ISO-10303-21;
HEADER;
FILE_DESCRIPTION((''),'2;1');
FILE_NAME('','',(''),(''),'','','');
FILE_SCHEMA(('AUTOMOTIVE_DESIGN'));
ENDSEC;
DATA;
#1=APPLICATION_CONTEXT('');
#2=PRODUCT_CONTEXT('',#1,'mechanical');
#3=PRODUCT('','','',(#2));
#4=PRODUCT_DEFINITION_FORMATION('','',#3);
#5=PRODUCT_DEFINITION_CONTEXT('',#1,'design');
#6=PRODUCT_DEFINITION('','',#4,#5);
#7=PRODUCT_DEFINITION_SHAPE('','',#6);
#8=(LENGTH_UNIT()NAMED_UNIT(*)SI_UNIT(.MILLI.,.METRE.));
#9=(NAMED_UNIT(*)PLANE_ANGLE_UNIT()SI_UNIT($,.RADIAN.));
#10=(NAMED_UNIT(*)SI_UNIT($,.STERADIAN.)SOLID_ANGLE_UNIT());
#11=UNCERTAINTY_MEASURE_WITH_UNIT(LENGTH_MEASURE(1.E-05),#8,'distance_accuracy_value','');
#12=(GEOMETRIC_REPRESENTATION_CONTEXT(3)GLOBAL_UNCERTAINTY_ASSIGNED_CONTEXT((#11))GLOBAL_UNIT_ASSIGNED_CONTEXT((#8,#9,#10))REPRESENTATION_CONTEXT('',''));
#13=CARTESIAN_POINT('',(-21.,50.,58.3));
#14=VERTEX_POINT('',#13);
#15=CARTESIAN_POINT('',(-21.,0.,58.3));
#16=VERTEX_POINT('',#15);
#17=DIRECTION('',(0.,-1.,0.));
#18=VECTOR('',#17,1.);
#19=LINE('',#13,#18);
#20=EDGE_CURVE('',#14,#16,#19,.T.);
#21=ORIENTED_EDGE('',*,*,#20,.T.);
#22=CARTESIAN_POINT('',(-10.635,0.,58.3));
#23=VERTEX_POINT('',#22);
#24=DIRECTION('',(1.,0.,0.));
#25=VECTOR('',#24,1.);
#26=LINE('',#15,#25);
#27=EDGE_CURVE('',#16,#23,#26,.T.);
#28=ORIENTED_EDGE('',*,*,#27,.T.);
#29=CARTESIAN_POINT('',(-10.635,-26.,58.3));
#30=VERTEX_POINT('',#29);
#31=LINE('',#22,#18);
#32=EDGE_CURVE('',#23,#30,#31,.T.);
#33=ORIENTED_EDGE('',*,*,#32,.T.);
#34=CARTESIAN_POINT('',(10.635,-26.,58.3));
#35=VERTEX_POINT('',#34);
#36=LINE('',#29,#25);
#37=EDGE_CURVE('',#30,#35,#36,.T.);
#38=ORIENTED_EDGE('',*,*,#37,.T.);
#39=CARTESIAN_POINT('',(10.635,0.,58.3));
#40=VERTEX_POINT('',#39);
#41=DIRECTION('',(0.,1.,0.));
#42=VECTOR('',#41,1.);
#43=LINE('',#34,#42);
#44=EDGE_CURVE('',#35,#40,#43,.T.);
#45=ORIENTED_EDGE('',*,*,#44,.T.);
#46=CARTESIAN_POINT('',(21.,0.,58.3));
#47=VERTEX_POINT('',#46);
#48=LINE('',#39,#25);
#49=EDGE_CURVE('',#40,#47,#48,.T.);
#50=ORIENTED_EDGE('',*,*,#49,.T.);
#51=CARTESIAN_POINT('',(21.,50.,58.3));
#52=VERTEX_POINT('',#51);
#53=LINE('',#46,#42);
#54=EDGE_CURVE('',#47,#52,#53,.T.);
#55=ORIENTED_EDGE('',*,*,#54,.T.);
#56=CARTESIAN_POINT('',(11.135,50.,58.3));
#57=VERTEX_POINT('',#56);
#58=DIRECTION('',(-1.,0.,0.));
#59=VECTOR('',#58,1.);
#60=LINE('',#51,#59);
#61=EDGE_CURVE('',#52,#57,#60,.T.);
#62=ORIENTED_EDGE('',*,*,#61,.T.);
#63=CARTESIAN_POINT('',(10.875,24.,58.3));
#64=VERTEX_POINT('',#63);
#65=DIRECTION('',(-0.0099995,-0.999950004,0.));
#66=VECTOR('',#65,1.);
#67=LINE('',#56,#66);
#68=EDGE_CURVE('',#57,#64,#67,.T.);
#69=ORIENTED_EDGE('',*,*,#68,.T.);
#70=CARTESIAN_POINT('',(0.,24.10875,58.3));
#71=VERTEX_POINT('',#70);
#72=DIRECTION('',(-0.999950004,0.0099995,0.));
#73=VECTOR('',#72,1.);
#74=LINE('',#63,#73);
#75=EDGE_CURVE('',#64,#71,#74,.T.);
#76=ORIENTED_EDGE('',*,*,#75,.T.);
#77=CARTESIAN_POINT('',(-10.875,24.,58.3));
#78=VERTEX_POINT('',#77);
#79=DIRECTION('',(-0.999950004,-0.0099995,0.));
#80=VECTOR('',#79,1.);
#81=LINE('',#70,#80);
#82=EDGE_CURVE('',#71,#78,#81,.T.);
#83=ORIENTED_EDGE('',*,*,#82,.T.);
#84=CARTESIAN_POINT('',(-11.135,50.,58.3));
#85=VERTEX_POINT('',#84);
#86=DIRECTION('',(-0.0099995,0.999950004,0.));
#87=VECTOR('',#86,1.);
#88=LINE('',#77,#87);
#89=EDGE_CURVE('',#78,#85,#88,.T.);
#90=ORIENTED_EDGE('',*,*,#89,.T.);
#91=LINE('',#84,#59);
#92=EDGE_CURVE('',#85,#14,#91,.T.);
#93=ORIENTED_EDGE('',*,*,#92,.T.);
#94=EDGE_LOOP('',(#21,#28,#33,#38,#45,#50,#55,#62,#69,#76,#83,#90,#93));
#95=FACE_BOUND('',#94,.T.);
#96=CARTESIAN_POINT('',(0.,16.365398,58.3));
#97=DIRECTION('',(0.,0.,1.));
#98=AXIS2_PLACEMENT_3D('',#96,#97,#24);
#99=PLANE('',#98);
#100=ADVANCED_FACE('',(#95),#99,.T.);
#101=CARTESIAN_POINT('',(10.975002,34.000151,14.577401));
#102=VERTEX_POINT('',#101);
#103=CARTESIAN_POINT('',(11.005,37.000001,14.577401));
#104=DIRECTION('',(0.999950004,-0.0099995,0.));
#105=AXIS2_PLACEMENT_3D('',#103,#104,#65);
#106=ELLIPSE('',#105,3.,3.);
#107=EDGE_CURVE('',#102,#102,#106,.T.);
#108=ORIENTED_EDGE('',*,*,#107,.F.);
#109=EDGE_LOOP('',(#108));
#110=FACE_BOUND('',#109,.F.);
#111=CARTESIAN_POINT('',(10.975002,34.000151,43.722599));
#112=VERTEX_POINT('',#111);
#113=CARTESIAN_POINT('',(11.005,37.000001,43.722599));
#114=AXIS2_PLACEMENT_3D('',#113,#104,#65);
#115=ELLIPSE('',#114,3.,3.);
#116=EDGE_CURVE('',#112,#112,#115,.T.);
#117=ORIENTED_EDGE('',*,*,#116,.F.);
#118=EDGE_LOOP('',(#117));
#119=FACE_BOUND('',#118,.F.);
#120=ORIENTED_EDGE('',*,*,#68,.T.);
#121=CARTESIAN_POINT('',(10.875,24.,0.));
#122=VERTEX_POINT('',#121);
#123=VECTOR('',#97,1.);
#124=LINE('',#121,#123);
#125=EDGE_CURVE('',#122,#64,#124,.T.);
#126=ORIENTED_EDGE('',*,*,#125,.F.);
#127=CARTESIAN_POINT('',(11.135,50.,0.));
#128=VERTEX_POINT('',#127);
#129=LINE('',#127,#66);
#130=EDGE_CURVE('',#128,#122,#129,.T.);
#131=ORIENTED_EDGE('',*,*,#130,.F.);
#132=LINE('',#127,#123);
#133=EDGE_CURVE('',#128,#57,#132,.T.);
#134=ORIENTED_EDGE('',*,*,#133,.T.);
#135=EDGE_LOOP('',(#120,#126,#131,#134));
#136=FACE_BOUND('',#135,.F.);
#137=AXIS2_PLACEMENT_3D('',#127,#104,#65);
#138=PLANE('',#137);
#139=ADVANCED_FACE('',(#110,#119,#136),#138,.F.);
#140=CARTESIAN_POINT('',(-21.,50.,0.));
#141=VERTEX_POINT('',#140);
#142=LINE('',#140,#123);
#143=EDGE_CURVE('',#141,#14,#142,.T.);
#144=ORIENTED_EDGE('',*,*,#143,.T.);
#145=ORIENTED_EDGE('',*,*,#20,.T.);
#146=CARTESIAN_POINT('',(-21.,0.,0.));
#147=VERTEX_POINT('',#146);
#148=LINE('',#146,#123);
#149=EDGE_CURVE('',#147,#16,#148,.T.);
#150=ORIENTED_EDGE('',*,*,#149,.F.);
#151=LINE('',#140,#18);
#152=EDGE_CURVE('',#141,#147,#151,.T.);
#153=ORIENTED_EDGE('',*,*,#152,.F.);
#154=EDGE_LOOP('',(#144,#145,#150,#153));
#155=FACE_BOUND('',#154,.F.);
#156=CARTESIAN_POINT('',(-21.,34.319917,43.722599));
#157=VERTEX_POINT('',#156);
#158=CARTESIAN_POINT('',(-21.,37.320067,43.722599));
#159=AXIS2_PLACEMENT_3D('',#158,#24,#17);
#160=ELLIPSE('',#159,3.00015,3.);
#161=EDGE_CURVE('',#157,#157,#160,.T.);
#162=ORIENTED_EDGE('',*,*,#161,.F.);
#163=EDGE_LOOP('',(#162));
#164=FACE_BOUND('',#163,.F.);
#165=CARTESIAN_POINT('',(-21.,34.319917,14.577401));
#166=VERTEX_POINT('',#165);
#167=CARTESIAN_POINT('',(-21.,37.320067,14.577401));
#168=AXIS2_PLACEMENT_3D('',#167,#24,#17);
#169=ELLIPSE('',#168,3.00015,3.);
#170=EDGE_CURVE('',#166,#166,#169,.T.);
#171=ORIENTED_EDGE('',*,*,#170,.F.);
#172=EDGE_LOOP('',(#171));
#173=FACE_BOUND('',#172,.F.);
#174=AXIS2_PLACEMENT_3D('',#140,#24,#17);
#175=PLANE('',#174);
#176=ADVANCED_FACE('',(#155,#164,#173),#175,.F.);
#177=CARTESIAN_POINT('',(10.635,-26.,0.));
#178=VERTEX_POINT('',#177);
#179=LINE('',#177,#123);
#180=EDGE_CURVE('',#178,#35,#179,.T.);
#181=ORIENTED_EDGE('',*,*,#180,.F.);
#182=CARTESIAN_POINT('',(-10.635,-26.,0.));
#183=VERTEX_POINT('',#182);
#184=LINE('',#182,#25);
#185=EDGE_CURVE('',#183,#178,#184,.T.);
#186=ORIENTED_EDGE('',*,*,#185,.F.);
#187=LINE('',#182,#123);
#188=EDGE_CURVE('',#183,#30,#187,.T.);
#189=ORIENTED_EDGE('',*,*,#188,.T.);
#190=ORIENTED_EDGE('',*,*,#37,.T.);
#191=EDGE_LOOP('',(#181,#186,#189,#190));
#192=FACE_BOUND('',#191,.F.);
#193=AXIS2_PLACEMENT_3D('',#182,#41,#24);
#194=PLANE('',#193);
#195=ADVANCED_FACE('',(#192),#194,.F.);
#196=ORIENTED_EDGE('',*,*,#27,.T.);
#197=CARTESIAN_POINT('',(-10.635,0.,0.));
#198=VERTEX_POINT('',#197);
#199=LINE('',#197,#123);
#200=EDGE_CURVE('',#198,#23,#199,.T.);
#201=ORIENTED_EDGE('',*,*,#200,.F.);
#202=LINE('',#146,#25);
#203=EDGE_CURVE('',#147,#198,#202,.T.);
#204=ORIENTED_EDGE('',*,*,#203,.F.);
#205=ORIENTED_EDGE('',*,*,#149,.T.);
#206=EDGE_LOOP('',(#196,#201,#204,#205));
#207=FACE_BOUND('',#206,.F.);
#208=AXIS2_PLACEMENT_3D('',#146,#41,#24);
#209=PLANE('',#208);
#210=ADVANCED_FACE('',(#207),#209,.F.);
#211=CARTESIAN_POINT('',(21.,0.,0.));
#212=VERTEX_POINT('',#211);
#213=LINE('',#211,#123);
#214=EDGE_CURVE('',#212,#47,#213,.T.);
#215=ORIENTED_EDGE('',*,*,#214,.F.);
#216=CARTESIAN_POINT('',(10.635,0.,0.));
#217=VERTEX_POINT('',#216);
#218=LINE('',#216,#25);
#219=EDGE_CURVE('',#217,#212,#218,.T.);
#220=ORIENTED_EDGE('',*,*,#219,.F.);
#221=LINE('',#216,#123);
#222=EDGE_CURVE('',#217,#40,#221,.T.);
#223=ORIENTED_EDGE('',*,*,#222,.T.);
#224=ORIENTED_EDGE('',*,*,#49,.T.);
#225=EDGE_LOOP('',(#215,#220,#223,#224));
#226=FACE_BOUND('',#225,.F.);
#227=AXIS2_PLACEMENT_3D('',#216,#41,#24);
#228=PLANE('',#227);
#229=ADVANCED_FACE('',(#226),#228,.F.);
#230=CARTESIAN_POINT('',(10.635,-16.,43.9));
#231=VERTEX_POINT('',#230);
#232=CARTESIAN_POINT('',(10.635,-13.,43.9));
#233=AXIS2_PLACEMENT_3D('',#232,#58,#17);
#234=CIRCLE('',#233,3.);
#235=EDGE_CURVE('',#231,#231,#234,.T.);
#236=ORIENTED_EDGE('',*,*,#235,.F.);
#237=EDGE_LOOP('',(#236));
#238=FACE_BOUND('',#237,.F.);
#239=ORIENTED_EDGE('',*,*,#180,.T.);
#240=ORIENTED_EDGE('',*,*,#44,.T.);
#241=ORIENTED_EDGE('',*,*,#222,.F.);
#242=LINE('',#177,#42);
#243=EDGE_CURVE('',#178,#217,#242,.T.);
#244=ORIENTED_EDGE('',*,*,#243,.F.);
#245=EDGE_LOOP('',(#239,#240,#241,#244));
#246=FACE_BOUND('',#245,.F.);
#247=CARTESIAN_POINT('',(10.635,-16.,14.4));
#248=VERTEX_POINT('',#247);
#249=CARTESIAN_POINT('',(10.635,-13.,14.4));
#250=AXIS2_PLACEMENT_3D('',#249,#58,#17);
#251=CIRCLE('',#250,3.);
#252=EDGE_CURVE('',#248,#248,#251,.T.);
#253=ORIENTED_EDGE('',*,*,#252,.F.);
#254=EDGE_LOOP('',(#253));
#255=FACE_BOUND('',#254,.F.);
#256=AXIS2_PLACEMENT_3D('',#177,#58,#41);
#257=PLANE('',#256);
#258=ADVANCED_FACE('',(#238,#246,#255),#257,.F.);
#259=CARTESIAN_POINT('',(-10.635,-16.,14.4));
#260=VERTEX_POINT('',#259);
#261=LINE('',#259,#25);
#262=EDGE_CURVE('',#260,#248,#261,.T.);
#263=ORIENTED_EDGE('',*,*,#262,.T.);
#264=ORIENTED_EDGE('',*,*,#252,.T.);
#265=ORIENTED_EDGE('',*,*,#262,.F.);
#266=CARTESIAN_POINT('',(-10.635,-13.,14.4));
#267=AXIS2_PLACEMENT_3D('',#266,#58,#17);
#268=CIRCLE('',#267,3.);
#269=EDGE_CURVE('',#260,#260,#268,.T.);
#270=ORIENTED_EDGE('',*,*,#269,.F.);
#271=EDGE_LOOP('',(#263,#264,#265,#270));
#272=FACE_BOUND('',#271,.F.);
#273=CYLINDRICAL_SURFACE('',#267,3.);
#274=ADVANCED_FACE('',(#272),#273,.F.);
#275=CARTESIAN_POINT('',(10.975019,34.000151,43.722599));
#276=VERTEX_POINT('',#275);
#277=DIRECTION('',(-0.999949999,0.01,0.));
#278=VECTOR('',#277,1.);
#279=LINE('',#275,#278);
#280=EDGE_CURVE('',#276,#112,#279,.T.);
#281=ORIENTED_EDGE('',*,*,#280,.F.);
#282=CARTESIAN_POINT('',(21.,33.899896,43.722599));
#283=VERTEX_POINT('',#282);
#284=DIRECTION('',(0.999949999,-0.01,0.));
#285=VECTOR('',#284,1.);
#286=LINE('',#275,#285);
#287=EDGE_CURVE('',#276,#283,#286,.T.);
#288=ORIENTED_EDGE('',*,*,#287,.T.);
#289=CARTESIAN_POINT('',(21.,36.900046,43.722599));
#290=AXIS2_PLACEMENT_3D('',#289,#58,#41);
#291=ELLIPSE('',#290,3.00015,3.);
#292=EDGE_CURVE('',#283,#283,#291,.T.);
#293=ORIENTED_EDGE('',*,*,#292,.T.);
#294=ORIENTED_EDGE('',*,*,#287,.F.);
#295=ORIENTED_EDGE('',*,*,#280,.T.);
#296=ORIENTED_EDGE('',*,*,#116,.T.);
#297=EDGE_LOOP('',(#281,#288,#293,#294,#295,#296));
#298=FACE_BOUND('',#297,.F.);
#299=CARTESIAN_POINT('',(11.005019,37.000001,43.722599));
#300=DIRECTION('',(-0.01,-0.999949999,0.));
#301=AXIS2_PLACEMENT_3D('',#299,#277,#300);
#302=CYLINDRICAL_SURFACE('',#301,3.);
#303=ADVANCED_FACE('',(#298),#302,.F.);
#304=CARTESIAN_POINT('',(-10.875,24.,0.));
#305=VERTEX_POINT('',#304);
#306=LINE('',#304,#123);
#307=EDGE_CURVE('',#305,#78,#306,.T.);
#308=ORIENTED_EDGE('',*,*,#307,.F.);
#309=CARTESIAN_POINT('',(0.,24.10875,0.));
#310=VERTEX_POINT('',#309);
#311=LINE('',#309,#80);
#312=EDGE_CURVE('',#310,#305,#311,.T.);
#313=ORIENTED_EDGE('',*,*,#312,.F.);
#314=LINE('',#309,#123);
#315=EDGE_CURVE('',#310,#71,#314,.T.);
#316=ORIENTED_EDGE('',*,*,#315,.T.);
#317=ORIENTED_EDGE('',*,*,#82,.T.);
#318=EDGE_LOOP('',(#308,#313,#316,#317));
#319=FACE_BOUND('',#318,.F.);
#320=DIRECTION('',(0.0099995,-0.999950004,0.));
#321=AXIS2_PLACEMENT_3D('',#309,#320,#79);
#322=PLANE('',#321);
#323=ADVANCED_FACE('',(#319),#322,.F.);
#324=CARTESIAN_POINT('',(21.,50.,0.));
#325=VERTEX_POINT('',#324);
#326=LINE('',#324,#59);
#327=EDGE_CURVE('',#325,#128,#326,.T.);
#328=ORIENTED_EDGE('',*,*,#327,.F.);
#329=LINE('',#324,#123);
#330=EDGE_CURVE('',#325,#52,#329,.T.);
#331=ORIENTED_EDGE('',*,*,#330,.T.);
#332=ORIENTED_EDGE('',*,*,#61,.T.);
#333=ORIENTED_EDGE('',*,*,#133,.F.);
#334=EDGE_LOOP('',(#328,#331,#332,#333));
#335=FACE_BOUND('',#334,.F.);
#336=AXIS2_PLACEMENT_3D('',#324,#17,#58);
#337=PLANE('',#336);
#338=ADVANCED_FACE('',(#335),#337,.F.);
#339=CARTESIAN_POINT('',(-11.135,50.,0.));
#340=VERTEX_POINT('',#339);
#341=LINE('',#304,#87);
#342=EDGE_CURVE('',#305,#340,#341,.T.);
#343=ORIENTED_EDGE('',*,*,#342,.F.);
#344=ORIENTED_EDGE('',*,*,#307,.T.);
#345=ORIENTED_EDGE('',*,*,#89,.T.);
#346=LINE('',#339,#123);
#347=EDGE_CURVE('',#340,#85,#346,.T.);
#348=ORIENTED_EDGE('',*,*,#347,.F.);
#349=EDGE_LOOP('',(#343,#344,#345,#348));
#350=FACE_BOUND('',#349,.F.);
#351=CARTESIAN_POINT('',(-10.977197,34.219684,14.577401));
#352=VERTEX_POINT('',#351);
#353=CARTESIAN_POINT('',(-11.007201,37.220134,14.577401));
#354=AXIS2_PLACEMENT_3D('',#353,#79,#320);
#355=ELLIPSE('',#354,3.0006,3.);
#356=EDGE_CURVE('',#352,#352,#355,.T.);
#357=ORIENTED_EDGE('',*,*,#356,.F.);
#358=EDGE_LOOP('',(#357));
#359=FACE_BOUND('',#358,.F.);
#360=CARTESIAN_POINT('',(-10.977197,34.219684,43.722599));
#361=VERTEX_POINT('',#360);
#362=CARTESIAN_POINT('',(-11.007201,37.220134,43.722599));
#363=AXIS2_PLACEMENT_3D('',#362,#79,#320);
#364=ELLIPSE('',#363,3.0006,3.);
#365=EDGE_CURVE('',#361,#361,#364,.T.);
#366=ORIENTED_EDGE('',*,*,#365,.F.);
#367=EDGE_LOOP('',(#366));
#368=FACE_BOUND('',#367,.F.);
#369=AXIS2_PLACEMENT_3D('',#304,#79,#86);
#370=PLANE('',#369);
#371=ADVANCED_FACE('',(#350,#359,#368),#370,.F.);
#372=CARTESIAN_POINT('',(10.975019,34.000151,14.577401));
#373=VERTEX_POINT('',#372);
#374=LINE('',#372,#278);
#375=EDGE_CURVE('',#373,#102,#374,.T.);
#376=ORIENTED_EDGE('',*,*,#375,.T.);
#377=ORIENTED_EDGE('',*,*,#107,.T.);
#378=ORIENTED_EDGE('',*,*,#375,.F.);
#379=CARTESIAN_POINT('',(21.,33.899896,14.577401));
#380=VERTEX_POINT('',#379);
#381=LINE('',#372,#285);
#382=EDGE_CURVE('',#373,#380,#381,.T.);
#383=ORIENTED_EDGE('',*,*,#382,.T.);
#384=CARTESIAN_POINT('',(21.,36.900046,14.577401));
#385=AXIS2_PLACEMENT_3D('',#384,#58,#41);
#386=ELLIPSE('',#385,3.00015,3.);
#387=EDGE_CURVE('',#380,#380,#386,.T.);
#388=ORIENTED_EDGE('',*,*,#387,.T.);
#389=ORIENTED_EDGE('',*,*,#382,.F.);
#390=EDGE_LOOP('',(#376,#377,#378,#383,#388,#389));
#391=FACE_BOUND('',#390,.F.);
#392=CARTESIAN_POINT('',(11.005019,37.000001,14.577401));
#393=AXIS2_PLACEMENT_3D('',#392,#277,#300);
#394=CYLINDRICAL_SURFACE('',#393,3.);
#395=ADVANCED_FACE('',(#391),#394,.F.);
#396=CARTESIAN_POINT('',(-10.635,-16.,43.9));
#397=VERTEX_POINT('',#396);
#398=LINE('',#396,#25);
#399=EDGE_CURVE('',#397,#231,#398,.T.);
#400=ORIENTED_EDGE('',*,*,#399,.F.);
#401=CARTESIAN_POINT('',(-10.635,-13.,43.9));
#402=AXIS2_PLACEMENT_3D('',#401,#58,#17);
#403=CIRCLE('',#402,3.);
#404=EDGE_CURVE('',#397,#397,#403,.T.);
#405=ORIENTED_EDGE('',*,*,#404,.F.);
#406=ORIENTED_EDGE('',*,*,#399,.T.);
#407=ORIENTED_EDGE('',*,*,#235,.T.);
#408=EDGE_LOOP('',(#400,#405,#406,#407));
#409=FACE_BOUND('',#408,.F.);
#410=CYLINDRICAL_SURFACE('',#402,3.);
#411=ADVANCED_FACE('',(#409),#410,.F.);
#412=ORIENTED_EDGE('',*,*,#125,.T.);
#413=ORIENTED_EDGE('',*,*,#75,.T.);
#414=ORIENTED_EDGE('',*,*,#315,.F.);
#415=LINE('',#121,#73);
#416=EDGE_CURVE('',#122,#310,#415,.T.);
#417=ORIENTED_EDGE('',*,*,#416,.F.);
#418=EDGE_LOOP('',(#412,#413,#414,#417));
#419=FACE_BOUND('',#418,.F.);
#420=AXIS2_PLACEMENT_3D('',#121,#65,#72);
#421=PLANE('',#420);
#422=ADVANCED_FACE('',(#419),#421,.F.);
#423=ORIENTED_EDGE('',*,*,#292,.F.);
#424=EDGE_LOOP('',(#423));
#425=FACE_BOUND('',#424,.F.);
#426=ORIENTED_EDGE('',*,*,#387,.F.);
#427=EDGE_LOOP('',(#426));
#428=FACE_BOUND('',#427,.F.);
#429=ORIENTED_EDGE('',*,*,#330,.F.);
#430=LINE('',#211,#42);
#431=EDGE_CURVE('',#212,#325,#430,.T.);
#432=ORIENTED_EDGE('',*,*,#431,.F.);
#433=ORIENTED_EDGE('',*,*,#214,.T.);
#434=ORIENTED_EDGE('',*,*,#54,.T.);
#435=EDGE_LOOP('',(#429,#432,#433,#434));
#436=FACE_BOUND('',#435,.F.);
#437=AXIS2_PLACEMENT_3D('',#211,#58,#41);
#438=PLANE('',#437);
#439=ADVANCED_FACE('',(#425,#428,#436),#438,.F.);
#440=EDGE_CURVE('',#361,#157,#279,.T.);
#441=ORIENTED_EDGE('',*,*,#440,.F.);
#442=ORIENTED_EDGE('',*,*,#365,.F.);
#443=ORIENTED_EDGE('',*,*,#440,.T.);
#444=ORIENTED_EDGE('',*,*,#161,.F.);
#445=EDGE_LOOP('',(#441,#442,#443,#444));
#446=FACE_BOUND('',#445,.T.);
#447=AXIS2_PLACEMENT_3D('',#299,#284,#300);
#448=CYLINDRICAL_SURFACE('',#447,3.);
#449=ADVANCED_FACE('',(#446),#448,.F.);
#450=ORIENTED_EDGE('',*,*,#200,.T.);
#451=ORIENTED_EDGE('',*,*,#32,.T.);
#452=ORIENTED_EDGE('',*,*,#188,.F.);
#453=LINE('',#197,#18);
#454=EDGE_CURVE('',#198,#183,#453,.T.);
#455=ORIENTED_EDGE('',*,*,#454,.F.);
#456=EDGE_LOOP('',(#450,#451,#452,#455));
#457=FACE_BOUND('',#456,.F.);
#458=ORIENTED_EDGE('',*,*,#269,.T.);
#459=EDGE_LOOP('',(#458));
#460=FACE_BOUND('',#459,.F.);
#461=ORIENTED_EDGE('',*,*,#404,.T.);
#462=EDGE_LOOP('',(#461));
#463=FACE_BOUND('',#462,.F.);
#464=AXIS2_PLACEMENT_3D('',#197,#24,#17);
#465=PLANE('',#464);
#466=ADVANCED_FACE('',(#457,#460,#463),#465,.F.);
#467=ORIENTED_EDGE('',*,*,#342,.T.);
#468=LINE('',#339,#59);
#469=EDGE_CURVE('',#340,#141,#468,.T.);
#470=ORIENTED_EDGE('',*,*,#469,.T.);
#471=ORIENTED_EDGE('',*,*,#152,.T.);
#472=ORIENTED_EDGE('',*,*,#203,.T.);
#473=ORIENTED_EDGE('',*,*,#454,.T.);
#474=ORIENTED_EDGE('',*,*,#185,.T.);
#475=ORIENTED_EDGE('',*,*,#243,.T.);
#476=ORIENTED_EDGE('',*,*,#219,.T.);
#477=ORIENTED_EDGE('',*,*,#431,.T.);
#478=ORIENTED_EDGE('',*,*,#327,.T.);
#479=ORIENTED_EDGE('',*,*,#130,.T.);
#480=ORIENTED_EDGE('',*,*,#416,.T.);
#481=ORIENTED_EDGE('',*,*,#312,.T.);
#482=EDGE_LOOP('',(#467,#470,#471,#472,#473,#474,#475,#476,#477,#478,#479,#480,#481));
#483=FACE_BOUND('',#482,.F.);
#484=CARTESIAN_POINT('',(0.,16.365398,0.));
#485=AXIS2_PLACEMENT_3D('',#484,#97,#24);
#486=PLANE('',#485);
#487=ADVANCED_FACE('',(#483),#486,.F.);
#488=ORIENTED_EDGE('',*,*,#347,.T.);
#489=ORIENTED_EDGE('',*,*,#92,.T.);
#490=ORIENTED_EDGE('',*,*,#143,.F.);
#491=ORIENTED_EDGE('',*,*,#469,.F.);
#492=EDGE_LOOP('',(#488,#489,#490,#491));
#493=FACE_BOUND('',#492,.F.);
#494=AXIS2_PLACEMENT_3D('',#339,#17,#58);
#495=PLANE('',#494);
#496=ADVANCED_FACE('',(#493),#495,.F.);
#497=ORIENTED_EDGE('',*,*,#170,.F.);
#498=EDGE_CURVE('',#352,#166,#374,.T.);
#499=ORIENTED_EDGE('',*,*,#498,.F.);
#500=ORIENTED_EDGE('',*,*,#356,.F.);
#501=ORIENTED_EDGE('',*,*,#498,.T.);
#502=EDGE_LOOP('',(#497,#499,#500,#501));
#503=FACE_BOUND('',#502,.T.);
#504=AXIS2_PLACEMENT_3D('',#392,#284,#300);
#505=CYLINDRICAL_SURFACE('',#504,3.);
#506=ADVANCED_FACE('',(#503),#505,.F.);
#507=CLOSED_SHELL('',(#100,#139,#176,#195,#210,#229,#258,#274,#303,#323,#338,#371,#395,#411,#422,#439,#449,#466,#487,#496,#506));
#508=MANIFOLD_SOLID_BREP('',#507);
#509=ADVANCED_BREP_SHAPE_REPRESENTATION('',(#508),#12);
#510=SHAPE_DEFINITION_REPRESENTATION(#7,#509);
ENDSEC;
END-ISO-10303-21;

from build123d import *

# Parameters (mm, degrees)
F1_DEPTH = 58.3
F2_R     = 3
F3_DEPTH = 25
F4_R     = 3
F5_DEPTH = 25
F6_DEPTH = 100


with BuildPart() as f1:
    # F0 (on Top) → F1 (new body)
    with BuildSketch(Plane.XY):
        Polygon((-10.635, 0), (-10.635, -26), (10.635, -26), (10.635, 0), (21, 0), (21, 50), (11.135, 50), (10.875, 24), (0, 24.10875), (-10.875, 24), (-11.135, 50), (-21, 50), (-21, 0), align=None)
    extrude(amount=F1_DEPTH)

    # F2 (on face) → F3 (cut)
    with BuildSketch(Plane(origin=(-10.635, 0, 0), x_dir=(0, -1, 0), z_dir=(-1, 0, 0))):
        with Locations((13, 14.4)):
            Circle(F2_R)
        with Locations((13, 43.9)):
            Circle(F2_R)
    extrude(amount=-F3_DEPTH, mode=Mode.SUBTRACT)

    # F4 (on face) → F5 (cut)
    with BuildSketch(Plane(origin=(10.633937, -0.106339, 0), x_dir=(-0.01, -0.99995, 0), z_dir=(-0.99995, 0.01, 0))):
        with Locations((-37.108195, 14.577401)):
            Circle(F4_R)
        with Locations((-37.108195, 43.722599)):
            Circle(F4_R)
    extrude(amount=-F5_DEPTH, mode=Mode.SUBTRACT)

    # F4 (on face) → F6 (cut)
    with BuildSketch(Plane(origin=(10.633937, -0.106339, 0), x_dir=(-0.01, -0.99995, 0), z_dir=(-0.99995, 0.01, 0))):
        with Locations((-37.108195, 43.722599)):
            Circle(F4_R)
        with Locations((-37.108195, 14.577401)):
            Circle(F4_R)
    extrude(amount=F6_DEPTH, mode=Mode.SUBTRACT)


solid = f1.part
